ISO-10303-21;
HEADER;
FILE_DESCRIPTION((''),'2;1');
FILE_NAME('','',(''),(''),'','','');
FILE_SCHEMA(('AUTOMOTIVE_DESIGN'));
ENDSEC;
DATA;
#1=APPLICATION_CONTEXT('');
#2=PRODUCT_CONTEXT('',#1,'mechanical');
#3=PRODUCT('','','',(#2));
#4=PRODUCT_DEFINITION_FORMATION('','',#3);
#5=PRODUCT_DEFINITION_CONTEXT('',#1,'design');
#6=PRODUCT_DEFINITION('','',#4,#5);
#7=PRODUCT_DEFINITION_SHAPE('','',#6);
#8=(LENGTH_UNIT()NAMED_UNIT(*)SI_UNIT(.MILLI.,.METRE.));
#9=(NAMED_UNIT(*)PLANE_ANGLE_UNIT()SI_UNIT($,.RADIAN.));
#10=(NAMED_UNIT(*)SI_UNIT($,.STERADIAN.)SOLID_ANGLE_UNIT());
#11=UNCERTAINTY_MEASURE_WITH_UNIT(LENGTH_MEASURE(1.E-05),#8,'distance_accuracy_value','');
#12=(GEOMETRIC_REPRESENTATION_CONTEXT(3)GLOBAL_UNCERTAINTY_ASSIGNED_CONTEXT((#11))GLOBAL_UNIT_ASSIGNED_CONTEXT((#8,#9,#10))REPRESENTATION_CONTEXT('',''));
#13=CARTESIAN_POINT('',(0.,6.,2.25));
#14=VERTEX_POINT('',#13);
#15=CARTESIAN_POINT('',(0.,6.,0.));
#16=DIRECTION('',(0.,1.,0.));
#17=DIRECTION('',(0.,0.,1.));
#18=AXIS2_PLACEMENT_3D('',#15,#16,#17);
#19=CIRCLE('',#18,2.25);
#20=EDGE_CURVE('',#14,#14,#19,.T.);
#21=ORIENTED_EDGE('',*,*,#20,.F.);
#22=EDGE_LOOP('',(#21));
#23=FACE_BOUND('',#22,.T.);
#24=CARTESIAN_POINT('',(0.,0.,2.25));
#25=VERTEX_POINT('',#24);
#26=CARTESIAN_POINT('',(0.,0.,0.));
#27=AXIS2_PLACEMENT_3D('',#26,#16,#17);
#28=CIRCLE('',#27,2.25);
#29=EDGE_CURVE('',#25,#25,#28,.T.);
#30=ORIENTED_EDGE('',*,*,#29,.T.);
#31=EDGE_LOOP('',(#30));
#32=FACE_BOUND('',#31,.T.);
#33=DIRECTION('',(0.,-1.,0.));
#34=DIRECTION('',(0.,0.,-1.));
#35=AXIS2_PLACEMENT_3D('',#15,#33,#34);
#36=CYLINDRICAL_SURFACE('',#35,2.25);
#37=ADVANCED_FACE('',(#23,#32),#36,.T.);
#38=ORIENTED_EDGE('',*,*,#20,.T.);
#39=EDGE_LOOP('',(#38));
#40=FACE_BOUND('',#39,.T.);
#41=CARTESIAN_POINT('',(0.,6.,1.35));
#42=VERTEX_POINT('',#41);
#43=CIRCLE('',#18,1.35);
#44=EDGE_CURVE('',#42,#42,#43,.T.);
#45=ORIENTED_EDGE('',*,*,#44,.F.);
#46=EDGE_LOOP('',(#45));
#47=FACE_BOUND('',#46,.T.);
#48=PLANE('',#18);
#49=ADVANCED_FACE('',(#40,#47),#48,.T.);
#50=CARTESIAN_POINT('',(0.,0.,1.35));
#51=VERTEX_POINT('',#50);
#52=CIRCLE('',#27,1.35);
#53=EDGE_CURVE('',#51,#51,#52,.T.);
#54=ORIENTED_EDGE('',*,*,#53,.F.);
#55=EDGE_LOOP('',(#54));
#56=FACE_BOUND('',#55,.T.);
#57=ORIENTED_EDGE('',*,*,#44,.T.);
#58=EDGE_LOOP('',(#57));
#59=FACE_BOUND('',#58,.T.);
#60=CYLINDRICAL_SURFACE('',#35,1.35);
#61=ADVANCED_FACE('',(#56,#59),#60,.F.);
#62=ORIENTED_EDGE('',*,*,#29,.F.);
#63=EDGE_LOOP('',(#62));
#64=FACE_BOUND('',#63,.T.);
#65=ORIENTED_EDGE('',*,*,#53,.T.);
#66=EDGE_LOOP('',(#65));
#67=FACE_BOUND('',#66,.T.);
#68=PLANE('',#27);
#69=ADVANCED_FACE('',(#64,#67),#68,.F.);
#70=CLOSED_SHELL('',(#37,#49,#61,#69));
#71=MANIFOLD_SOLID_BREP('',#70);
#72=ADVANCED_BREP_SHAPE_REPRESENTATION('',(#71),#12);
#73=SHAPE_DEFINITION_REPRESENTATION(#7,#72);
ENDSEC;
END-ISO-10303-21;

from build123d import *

# Parameters (mm, degrees)
SKETCH1_R           = 2.25
SKETCH1_R_2         = 1.35
BOSS_EXTRUDE1_DEPTH = 6


with BuildPart() as part:
    # Sketch1 → Boss-Extrude1 (new body)
    with BuildSketch(Plane(origin=(0, 0, 0), x_dir=(1, 0, 0), z_dir=(0, 1, 0))):
        with Locations(Location((0, 0, 0), (0, 0, 270))):  # turned: the seam where the file's is
            Circle(SKETCH1_R)
        with Locations(Location((0, 0, 0), (0, 0, 270))):  # turned: the seam where the file's is
            Circle(SKETCH1_R_2, mode=Mode.SUBTRACT)
    extrude(amount=BOSS_EXTRUDE1_DEPTH)


solid = part.part
